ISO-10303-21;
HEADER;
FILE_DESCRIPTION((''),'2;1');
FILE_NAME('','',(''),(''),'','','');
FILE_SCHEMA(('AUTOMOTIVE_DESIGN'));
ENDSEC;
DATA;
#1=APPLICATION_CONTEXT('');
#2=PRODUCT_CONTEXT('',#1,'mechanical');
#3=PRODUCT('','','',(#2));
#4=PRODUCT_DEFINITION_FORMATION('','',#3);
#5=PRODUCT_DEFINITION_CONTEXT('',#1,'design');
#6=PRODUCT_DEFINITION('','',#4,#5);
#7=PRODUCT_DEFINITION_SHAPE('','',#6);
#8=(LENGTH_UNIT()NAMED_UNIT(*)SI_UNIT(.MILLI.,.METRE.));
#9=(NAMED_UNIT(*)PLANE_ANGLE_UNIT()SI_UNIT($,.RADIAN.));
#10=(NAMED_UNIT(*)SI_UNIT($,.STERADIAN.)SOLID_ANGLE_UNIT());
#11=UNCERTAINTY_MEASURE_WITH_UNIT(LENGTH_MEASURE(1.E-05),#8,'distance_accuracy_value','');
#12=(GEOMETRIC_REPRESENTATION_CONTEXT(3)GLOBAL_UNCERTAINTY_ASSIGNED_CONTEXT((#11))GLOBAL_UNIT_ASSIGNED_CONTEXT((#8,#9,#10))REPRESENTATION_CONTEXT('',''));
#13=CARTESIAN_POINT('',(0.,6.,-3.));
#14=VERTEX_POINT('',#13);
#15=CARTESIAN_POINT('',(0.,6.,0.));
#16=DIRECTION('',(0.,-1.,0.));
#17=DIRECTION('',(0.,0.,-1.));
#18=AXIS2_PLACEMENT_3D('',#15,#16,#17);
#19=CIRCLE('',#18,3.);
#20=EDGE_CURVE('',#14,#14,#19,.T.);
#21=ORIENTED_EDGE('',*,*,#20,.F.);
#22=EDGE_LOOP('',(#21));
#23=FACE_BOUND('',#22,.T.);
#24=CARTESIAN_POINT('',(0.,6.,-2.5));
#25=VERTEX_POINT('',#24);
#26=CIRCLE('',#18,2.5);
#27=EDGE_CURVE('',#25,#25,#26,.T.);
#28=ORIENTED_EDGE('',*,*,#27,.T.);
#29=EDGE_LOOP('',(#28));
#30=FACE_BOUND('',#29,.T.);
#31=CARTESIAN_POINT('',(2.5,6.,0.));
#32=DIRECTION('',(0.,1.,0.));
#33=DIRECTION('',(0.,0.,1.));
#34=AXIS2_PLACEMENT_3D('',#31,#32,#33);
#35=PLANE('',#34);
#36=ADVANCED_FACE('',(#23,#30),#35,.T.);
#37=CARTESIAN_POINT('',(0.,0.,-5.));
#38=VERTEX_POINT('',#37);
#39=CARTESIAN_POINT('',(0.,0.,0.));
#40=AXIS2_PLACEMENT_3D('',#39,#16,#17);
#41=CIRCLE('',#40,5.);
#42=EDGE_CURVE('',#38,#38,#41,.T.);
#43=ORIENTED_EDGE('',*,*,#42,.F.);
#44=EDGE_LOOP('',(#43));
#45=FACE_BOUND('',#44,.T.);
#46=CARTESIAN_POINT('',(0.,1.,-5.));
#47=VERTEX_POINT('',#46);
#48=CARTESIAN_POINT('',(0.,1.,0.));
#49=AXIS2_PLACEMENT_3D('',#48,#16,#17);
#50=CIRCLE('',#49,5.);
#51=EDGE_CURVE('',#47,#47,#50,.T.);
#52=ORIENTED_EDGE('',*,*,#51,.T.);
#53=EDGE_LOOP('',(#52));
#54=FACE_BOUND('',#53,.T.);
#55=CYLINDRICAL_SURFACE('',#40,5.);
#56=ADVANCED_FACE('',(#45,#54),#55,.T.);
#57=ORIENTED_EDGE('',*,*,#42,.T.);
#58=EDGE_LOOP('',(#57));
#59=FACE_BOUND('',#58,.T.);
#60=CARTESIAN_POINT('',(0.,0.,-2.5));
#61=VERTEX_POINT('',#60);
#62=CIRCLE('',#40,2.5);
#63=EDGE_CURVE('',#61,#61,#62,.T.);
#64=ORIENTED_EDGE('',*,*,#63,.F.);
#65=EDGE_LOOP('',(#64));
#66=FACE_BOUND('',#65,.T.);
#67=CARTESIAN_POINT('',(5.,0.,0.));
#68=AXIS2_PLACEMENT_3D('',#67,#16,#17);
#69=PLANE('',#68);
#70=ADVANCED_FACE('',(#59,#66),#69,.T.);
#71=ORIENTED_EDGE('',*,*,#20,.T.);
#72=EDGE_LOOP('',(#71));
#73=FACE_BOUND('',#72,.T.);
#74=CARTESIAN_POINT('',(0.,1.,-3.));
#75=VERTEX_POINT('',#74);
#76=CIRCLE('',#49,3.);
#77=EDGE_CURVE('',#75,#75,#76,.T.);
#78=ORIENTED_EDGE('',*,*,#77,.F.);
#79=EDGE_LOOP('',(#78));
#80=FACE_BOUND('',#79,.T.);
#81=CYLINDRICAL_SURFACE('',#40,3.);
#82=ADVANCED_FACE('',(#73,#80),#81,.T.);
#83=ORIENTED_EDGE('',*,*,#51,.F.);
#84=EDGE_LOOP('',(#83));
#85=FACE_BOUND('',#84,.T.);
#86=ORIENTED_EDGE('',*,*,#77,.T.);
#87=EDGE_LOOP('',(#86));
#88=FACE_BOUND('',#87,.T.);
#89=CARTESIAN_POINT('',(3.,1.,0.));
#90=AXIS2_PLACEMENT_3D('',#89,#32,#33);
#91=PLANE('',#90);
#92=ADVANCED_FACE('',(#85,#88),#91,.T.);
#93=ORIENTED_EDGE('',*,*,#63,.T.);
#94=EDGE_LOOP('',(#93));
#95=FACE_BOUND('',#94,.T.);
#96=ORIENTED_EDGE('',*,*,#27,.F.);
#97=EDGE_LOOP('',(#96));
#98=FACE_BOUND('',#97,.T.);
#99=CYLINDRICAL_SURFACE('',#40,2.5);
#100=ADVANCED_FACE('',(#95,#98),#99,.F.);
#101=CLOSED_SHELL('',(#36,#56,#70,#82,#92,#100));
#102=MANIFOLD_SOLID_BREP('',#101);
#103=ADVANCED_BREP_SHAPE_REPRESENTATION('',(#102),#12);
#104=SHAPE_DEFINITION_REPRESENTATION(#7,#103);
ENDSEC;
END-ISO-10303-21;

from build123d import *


with BuildPart() as part:
    # 草图1 → 旋转1 (revolve)
    with BuildSketch(Plane.XY, mode=Mode.PRIVATE) as revolve_1_sk:
        Polygon((2.5, 0), (2.5, 6), (3, 6), (3, 1), (5, 1), (5, 0), align=None)
    revolve(revolve_1_sk.sketch.rotate(Axis((0, 0, 0), (0, 1, 0)), 90), axis=Axis((0, 0, 0), (0, 1, 0)))


solid = part.part
